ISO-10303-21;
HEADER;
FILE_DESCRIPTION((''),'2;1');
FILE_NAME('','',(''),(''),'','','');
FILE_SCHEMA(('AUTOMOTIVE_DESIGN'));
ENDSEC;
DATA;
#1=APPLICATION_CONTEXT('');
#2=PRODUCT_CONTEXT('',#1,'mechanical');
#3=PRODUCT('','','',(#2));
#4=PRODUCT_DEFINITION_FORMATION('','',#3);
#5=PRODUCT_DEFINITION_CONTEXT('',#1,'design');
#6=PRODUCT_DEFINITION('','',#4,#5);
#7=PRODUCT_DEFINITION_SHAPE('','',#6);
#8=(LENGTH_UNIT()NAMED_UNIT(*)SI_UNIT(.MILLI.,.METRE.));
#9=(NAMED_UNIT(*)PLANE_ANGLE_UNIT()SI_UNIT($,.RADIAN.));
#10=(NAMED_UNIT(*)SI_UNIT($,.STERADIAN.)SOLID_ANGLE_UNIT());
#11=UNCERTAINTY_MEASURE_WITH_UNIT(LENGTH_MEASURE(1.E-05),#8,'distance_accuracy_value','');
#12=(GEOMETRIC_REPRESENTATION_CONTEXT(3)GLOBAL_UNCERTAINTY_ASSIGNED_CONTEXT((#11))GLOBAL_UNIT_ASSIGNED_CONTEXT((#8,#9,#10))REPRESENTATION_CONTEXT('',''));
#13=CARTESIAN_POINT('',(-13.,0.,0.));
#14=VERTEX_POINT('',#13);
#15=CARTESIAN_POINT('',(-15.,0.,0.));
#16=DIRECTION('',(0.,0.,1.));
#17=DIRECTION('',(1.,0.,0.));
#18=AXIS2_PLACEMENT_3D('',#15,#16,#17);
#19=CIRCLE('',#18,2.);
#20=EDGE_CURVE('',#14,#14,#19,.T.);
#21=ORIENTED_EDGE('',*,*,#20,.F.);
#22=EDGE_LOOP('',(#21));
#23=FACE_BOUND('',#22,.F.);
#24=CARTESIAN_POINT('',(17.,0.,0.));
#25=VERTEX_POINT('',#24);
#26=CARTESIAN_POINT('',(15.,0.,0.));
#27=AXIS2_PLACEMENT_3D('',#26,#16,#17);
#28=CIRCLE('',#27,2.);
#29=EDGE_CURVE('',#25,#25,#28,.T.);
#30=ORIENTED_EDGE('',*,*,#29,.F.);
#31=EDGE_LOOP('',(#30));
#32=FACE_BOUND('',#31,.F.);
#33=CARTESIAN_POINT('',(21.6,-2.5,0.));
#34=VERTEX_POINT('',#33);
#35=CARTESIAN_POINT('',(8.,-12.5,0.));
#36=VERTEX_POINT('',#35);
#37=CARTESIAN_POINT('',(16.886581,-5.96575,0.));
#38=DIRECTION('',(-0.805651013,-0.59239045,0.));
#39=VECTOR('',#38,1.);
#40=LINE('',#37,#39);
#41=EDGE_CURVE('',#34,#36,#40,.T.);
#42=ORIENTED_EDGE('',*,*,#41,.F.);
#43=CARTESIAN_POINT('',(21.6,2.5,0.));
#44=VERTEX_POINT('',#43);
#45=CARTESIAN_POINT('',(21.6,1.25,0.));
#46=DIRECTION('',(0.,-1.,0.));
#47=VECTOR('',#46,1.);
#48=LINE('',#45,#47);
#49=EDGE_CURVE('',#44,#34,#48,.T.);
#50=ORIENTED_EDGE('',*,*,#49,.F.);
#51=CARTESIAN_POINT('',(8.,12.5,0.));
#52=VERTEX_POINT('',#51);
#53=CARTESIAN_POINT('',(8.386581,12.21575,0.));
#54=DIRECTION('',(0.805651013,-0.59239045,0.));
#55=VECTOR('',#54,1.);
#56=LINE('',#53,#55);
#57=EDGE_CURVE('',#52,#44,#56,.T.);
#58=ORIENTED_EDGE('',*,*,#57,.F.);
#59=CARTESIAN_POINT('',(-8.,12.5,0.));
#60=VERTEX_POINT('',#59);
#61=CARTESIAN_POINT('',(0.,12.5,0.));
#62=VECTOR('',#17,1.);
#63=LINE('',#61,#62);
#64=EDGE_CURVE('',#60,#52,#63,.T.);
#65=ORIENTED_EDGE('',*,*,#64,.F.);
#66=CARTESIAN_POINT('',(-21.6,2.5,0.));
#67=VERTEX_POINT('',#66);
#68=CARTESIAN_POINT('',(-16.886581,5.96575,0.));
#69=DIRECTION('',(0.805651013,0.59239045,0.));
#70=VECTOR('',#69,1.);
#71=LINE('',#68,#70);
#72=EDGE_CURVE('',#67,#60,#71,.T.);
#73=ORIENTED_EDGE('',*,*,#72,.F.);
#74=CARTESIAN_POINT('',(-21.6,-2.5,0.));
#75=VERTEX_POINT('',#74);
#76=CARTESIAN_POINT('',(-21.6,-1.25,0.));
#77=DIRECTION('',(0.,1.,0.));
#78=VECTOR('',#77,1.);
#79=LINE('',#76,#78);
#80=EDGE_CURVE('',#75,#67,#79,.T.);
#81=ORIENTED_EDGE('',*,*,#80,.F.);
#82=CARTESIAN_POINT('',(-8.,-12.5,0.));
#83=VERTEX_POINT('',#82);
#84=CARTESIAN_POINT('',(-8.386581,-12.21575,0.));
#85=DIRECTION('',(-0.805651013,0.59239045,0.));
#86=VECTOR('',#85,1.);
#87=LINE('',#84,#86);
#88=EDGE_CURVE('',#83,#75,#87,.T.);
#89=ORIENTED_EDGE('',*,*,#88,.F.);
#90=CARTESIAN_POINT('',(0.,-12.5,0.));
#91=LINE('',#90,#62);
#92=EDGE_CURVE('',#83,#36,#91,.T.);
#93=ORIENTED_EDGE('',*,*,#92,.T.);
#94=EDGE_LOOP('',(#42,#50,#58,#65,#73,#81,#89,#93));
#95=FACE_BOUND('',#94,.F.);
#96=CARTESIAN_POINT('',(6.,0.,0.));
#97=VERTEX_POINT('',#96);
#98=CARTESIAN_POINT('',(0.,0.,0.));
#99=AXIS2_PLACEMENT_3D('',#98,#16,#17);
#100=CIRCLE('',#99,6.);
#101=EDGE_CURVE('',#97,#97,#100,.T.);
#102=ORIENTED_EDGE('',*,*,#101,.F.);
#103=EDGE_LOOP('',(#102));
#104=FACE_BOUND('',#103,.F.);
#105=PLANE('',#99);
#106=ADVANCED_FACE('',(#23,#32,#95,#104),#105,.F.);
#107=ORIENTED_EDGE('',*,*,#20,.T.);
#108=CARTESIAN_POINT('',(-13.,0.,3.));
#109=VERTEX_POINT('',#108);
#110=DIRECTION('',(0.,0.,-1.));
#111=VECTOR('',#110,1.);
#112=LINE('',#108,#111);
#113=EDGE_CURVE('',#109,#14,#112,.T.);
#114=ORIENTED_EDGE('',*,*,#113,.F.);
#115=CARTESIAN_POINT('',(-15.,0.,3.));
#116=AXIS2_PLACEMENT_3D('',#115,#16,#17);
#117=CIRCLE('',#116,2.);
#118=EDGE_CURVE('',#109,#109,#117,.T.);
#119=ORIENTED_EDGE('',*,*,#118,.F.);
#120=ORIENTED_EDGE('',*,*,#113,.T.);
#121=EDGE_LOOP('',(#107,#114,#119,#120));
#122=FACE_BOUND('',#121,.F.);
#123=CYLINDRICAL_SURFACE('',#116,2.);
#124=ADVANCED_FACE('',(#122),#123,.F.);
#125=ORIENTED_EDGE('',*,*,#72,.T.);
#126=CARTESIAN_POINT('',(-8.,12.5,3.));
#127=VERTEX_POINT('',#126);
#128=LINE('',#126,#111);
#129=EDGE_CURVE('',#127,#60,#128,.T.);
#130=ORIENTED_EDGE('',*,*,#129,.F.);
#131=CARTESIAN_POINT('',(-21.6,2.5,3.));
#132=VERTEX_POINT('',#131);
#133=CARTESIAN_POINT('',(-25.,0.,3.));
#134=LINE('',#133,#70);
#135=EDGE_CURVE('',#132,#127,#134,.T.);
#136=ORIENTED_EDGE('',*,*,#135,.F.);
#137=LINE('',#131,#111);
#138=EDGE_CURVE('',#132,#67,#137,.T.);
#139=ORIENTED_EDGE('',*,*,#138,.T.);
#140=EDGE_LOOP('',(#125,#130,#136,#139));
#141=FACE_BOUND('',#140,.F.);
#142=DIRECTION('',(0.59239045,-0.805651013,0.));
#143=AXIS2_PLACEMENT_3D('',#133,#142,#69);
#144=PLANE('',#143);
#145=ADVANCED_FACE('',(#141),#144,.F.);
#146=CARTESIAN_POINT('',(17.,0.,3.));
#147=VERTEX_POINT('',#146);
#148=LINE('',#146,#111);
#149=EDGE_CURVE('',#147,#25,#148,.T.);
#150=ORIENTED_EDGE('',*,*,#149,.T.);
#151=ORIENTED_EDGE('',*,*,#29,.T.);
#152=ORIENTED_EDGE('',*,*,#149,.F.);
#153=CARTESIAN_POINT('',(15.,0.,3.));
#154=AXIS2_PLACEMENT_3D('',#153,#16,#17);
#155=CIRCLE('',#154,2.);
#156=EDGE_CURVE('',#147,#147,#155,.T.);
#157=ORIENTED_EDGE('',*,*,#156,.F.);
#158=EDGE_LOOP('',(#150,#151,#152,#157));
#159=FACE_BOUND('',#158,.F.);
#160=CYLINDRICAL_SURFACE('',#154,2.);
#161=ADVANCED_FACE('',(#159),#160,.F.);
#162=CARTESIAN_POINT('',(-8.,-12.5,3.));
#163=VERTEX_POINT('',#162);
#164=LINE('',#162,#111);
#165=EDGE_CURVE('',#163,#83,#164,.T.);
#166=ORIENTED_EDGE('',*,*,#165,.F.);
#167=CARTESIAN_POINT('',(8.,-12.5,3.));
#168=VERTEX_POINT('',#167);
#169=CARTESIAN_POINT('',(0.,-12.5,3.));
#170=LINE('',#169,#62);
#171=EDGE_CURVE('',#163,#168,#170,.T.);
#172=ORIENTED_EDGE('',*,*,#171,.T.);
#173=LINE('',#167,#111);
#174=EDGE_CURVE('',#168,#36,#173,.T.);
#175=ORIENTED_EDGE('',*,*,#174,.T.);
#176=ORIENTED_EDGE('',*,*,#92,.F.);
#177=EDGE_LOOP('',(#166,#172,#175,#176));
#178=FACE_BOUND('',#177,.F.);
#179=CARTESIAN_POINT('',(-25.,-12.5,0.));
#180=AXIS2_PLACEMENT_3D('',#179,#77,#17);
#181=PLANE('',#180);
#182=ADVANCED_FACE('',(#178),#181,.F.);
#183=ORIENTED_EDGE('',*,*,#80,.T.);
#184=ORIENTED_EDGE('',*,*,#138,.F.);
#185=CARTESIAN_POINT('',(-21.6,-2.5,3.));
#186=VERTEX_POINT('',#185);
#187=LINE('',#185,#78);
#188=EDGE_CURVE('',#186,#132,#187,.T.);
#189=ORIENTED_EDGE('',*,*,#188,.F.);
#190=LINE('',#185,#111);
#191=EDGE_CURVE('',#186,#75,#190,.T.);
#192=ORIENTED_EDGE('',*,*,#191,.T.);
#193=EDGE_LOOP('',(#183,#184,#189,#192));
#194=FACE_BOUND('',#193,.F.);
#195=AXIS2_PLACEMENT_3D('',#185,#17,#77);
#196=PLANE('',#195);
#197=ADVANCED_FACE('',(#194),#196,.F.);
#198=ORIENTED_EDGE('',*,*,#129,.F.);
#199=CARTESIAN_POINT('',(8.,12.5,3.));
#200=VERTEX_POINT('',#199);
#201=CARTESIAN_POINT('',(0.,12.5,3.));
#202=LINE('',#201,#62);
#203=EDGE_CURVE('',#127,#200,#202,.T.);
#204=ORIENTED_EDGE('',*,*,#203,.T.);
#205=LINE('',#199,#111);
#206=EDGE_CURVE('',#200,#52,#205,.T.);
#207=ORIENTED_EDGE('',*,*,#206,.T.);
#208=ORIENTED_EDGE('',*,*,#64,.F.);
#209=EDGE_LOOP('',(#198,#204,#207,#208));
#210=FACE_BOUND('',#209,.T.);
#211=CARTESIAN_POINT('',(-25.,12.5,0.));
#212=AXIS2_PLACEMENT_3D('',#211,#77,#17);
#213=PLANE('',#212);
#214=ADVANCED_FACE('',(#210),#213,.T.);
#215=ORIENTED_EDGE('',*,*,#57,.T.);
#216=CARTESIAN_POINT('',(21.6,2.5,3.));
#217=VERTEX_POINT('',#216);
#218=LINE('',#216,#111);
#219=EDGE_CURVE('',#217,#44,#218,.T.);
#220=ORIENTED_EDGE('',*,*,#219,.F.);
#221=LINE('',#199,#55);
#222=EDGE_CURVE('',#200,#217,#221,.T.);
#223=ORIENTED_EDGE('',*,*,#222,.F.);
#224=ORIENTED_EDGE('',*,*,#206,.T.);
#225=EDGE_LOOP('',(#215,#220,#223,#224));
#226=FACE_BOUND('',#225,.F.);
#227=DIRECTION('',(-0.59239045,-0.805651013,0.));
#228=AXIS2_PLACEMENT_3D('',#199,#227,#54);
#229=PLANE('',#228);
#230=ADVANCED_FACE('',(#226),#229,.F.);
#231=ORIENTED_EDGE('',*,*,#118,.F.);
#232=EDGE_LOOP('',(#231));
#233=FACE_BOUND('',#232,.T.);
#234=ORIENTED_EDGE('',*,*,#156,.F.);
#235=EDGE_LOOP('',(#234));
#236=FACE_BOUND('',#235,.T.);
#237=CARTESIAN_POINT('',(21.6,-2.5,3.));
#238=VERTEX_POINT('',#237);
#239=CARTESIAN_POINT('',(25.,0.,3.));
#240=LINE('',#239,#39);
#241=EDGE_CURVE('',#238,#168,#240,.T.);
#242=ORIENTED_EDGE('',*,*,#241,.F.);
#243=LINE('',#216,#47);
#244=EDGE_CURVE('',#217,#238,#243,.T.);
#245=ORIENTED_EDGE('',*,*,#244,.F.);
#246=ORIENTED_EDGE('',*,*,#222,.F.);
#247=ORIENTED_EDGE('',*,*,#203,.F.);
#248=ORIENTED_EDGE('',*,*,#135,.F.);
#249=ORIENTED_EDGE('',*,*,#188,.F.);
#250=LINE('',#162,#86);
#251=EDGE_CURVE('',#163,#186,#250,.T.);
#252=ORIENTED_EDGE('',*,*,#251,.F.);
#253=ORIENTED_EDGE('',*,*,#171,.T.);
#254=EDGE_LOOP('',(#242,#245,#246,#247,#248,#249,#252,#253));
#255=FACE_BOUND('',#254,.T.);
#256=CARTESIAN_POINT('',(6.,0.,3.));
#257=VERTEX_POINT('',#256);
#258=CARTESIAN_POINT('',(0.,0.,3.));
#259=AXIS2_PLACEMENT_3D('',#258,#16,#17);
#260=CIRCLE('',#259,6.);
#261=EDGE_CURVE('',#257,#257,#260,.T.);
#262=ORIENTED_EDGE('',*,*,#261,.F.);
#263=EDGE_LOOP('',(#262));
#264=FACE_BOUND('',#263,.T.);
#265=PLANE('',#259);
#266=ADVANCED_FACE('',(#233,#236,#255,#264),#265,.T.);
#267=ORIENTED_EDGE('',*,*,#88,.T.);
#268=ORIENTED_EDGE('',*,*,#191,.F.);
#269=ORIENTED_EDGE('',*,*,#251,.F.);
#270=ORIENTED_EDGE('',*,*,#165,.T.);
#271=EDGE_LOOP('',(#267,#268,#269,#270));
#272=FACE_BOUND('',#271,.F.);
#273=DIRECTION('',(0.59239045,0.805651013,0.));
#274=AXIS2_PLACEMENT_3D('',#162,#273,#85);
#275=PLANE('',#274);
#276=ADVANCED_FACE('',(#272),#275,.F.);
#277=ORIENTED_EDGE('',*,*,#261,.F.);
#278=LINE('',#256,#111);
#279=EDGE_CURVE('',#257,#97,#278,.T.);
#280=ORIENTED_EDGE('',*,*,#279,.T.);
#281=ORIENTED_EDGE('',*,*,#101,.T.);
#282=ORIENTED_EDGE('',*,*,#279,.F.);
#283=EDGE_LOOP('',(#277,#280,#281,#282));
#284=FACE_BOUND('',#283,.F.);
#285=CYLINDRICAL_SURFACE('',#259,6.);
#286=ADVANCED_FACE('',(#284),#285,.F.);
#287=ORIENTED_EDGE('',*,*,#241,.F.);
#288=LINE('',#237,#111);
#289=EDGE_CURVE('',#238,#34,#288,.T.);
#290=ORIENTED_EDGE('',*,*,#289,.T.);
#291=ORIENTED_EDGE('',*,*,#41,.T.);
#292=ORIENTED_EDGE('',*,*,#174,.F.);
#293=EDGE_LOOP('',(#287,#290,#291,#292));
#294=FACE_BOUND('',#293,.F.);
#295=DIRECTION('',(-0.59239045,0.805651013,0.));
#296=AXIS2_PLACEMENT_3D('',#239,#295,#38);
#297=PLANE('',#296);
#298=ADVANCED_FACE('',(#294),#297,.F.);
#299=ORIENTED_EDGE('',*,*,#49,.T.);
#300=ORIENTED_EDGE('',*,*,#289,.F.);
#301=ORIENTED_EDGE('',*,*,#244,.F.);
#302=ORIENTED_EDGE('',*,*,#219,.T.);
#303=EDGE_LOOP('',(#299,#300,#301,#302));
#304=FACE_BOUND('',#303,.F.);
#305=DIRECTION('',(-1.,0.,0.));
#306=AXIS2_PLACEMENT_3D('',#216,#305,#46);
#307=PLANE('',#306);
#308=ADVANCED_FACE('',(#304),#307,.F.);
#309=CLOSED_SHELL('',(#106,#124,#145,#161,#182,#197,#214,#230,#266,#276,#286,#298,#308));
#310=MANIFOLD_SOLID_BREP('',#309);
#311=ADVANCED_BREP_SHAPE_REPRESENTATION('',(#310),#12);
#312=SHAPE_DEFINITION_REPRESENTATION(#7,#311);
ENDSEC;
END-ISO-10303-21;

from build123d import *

# Parameters (mm, degrees)
F0_W     = 50
F0_H     = 25
F1_DEPTH = 3
F2_R     = 6
F3_DEPTH = 3.001
F5_DEPTH = 3.001
F6_R     = 2
F7_DEPTH = 3.001
F9_DEPTH = 3.001


with BuildPart() as f1:
    # F0 (on Top) → F1 (new body)
    with BuildSketch(Plane.XY):
        Rectangle(F0_W, F0_H)
    extrude(amount=F1_DEPTH)

    # F2 (on face) → F3 (cut, through all)
    with BuildSketch(Plane.XY.offset(3)):
        Circle(F2_R)
    extrude(amount=-F3_DEPTH, mode=Mode.SUBTRACT)

    # F4 (on face) → F5 (cut, through all)
    with BuildSketch(Plane.XY.offset(3)):
        Polygon((-25, 12.5), (-25, 0), (-8, 12.5), align=None)
        Polygon((-8, -12.5), (-25, 0), (-25, -12.5), align=None)
        Polygon((25, 12.5), (8, 12.5), (25, 0), align=None)
        Polygon((25, 0), (8, -12.5), (25, -12.5), align=None)
    extrude(amount=-F5_DEPTH, mode=Mode.SUBTRACT)

    # F6 (on face) → F7 (cut, through all)
    with BuildSketch(Plane.XY.offset(3)):
        with Locations((-15, 0)):
            Circle(F6_R)
        with Locations((15, 0)):
            Circle(F6_R)
    extrude(amount=-F7_DEPTH, mode=Mode.SUBTRACT)

    # F8 (on face) → F9 (cut, through all)
    with BuildSketch(Plane.XY.offset(3)):
        Polygon((-21.6, -2.5), (-21.6, 2.5), (-25, 0), align=None)
        Polygon((25, 0), (21.6, 2.5), (21.6, -2.5), align=None)
    extrude(amount=-F9_DEPTH, mode=Mode.SUBTRACT)


solid = f1.part
